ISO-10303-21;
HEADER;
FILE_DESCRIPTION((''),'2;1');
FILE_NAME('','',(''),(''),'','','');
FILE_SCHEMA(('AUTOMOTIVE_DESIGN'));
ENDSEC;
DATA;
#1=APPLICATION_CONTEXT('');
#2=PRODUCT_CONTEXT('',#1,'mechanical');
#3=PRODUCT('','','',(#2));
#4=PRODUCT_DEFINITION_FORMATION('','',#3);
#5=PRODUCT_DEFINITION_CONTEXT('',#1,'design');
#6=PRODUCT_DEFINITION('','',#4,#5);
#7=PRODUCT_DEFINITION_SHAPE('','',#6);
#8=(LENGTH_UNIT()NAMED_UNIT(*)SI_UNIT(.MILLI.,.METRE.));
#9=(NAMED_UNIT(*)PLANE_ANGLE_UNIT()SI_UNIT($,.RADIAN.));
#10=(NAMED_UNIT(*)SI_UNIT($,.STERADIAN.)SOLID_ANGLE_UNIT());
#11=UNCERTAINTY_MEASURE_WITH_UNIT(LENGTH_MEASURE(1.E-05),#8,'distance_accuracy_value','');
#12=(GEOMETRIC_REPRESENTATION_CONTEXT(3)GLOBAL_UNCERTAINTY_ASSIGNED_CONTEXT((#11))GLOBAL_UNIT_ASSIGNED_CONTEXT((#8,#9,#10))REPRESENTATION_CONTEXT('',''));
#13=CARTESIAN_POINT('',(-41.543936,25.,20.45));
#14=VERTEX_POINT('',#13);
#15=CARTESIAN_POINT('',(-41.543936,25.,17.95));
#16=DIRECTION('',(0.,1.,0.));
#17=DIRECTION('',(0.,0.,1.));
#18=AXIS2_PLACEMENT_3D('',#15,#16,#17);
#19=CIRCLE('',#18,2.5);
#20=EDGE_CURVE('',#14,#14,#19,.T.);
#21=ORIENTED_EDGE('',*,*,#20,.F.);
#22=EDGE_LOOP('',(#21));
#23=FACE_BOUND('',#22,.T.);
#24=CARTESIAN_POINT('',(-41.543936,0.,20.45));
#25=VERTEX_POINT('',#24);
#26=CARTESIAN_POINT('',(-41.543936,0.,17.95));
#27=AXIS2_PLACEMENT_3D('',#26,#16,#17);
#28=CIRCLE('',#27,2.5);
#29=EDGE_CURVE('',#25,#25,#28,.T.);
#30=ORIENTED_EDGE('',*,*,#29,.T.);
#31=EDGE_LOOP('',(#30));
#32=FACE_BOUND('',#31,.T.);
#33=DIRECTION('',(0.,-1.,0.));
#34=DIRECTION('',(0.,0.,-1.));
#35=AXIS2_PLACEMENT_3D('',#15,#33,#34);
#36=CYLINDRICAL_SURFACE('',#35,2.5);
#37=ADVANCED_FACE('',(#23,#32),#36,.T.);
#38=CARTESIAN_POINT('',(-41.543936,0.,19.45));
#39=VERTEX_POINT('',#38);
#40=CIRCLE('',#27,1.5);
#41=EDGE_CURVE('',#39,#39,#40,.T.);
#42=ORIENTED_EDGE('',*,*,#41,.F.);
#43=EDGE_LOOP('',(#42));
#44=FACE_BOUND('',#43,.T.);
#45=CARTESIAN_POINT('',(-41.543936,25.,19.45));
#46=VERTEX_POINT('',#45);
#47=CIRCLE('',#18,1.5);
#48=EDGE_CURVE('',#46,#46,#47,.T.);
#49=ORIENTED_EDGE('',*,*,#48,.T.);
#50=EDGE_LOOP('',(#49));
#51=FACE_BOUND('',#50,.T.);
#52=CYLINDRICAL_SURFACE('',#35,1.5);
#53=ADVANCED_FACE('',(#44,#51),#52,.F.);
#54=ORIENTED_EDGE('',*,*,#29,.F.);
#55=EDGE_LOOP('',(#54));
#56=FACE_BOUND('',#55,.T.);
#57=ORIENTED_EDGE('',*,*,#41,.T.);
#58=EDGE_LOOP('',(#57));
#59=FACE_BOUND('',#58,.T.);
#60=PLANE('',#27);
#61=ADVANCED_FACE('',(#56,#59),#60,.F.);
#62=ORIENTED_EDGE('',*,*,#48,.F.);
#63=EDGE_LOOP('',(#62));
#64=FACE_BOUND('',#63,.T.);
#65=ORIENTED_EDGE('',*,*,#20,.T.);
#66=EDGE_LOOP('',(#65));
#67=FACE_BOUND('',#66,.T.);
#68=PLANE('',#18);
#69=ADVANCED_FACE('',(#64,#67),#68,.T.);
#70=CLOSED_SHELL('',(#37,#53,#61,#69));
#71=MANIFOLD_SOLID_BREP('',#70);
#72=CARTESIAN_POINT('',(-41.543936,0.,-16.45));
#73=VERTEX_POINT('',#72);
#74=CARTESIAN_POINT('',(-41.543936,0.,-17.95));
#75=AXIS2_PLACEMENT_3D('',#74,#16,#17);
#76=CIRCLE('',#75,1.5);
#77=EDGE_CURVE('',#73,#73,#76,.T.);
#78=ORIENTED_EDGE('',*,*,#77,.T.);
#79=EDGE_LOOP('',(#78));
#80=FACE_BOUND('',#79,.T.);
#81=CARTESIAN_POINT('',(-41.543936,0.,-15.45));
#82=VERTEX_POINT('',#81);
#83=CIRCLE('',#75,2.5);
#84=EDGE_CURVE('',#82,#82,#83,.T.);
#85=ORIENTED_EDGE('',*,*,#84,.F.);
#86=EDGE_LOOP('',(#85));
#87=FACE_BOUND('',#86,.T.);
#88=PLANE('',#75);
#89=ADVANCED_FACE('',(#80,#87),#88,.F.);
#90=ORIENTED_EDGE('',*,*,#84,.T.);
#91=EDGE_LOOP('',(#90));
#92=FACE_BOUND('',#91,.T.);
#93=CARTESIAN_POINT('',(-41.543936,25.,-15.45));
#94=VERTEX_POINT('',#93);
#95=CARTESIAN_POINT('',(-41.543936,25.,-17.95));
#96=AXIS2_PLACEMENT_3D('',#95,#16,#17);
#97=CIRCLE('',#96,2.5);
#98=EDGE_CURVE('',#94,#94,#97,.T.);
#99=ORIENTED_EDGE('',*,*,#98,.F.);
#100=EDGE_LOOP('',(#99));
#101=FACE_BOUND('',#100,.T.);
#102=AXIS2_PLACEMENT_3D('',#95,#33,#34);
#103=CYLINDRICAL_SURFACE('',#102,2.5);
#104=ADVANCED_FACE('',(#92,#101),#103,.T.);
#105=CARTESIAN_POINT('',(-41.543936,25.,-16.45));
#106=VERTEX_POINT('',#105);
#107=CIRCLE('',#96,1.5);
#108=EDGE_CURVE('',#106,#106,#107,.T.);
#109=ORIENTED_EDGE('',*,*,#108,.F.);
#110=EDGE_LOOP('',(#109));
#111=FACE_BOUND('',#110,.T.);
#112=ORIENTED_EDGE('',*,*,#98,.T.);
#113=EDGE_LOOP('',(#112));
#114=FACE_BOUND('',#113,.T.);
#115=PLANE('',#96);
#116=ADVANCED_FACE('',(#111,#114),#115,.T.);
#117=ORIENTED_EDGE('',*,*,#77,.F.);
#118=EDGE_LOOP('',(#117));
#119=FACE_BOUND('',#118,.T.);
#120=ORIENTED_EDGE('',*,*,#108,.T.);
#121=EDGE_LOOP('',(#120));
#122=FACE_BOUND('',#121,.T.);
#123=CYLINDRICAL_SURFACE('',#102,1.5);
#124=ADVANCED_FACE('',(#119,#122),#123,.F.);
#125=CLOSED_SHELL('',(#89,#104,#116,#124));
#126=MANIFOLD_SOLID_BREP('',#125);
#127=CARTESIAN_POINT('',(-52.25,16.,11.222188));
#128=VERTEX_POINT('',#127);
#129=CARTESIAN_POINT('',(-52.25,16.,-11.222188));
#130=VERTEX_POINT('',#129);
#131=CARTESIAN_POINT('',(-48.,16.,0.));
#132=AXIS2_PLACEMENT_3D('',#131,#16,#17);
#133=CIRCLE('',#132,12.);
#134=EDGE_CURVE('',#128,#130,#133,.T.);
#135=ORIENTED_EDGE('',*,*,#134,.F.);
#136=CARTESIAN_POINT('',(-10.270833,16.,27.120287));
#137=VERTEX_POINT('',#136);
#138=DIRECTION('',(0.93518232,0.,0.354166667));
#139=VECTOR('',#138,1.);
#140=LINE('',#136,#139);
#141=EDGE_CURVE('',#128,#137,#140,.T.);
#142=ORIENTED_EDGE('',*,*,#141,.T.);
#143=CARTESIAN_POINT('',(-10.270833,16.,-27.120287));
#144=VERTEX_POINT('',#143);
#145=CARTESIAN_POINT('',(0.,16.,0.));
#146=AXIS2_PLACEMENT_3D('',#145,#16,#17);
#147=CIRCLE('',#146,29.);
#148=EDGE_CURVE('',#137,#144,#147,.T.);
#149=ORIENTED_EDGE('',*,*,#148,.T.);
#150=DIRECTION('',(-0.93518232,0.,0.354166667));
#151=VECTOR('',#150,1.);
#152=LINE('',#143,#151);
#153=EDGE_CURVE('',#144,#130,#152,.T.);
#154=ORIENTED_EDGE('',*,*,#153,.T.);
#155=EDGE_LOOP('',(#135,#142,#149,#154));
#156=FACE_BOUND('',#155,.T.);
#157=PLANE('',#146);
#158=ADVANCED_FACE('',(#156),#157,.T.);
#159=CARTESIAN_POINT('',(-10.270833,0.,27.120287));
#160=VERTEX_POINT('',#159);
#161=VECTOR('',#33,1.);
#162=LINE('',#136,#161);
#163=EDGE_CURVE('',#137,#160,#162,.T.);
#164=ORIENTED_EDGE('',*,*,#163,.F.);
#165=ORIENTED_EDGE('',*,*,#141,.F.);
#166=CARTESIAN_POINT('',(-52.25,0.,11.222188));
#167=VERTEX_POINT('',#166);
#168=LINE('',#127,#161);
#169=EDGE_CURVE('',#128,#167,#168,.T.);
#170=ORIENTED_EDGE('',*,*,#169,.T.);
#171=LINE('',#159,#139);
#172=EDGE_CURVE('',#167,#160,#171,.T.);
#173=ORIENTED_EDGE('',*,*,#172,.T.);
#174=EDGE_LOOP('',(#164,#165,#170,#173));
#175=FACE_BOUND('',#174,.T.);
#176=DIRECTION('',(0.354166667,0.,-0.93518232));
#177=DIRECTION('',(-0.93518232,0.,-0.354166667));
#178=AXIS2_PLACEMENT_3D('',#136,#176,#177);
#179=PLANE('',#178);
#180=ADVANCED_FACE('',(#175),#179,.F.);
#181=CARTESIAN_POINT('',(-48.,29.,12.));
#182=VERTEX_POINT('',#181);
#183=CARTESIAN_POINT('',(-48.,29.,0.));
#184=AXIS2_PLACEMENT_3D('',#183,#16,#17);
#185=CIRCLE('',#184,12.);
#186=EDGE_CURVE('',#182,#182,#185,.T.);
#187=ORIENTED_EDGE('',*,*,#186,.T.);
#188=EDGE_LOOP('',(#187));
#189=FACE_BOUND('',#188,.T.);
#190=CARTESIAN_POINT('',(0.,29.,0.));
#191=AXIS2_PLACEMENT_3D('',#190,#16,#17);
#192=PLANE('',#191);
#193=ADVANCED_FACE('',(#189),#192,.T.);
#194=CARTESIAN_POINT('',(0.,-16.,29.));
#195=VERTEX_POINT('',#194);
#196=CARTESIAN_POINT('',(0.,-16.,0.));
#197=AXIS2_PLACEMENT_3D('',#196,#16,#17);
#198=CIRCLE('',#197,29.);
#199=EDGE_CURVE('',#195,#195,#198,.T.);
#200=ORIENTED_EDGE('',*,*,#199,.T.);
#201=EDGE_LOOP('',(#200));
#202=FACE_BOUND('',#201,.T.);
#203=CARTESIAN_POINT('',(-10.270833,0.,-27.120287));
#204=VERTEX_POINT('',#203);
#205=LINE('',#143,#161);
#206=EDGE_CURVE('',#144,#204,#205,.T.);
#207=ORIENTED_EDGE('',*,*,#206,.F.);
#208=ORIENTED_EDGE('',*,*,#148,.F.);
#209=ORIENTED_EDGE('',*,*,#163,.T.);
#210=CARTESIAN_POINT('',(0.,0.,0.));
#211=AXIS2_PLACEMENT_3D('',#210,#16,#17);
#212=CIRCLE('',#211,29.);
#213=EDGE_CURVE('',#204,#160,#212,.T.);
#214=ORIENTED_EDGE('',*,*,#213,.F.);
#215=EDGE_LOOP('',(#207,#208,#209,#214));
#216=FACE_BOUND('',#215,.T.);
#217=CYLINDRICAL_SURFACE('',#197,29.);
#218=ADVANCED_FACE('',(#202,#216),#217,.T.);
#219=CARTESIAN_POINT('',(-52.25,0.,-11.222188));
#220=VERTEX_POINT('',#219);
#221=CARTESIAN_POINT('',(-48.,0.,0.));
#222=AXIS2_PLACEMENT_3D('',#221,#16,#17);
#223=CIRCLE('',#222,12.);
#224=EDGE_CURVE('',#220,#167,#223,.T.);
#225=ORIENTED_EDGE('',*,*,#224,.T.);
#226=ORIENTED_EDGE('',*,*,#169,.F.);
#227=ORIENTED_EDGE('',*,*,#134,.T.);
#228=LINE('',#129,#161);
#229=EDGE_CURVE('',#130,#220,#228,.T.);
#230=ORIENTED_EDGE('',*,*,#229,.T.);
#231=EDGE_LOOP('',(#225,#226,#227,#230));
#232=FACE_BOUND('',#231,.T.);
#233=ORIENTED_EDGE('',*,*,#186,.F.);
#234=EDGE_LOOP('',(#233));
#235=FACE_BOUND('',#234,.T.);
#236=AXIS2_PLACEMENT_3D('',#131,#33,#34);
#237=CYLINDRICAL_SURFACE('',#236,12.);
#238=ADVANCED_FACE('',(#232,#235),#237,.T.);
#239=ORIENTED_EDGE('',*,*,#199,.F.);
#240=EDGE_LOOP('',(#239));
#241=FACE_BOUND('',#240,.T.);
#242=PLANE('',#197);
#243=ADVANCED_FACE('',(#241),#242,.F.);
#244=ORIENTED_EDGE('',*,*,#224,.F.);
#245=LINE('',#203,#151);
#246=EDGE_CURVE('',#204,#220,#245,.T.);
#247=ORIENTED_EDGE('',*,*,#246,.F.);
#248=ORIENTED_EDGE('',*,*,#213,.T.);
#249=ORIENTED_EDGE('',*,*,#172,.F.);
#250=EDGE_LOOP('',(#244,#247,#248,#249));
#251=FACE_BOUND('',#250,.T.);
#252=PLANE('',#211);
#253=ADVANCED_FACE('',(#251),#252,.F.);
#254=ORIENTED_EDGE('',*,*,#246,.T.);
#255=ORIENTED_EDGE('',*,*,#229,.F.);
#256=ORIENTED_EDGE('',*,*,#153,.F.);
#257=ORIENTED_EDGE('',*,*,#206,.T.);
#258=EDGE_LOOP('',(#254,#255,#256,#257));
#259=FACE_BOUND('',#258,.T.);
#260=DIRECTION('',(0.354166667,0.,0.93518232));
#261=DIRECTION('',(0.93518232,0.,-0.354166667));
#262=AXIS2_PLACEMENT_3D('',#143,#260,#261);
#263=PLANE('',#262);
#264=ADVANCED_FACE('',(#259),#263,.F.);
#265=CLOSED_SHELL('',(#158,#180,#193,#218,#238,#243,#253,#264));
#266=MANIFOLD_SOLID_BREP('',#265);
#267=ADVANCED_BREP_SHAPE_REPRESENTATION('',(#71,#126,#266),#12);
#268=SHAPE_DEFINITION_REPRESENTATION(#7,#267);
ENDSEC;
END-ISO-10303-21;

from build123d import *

# Parameters (mm, degrees)
SKETCH_1_R        = 29
EXTRUDE_1_DEPTH   = 16
EXTRUDE_START     = 16
EXTRUDE_2_DEPTH   = 16
EXTRUDE_START_2   = 13
EXTRUDE_3_DEPTH   = 13
EXTRUDE_START_3   = -16
SKETCH_4_R        = 2.5
SKETCH_4_R_2      = 1.5
EXTRUDE_4_DEPTH   = 25
EXTRUDE_4_2_DEPTH = 25


with BuildPart() as part:
    # 草图1 → 凸台-拉伸1 (new body)
    with BuildSketch(Plane(origin=(0, 0, 0), x_dir=(1, 0, 0), z_dir=(0, 1, 0))):
        with Locations(Location((0, 0, 0), (0, 0, 270))):
            Circle(SKETCH_1_R)
    extrude(amount=-EXTRUDE_1_DEPTH)

    # 草图2 → 凸台-拉伸2 (add)
    with BuildSketch(Plane(origin=(0, 0, 0), x_dir=(1, 0, 0), z_dir=(0, 1, 0)).offset(EXTRUDE_START)):
        with BuildLine():
            Line((-10.270833333, 27.120287289), (-52.25, 11.222187844))
            ThreePointArc((-52.25, 11.222187844), (-60, 0), (-52.25, -11.222187844))
            Line((-52.25, -11.222187844), (-10.270833333, -27.120287289))
            ThreePointArc((-10.270833333, -27.120287289), (29, 0), (-10.270833333, 27.120287289))
        make_face()
    extrude(amount=-EXTRUDE_2_DEPTH)

    # 草图3 → 凸台-拉伸3 (add)
    with BuildSketch(Plane(origin=(0, 16, 0), x_dir=(1, 0, 0), z_dir=(0, 1, 0)).offset(EXTRUDE_START_2)):
        with BuildLine():
            ThreePointArc((-36, 0), (-41.180909152, 9.874208829), (-52.25, 11.222187844))
            ThreePointArc((-52.25, 11.222187844), (-60, 0), (-52.25, -11.222187844))
            ThreePointArc((-52.25, -11.222187844), (-41.180909152, -9.874208829), (-36, 0))
        make_face()
    extrude(amount=-EXTRUDE_3_DEPTH)


with BuildPart() as body_2:
    # 草图4 → 凸台-拉伸4 (new body)
    with BuildSketch(Plane(origin=(0, 16, 0), x_dir=(1, 0, 0), z_dir=(0, 1, 0)).offset(EXTRUDE_START_3)):
        with Locations(Location((-41.543936048, -17.95, 0), (0, 0, 270))):
            Circle(SKETCH_4_R)
        with Locations(Location((-41.543936048, -17.95, 0), (0, 0, 270))):
            Circle(SKETCH_4_R_2, mode=Mode.SUBTRACT)
    extrude(amount=EXTRUDE_4_DEPTH)


with BuildPart() as body_3:
    # 草图4 → Extrude 4 2 (new body)
    with BuildSketch(Plane(origin=(0, 16, 0), x_dir=(1, 0, 0), z_dir=(0, 1, 0)).offset(EXTRUDE_START_3)):
        with Locations(Location((-41.543936048, 17.95, 0), (0, 0, 270))):
            Circle(SKETCH_4_R)
        with Locations(Location((-41.543936048, 17.95, 0), (0, 0, 270))):
            Circle(SKETCH_4_R_2, mode=Mode.SUBTRACT)
    extrude(amount=EXTRUDE_4_2_DEPTH)


solid = Compound([part.part, body_2.part, body_3.part])
